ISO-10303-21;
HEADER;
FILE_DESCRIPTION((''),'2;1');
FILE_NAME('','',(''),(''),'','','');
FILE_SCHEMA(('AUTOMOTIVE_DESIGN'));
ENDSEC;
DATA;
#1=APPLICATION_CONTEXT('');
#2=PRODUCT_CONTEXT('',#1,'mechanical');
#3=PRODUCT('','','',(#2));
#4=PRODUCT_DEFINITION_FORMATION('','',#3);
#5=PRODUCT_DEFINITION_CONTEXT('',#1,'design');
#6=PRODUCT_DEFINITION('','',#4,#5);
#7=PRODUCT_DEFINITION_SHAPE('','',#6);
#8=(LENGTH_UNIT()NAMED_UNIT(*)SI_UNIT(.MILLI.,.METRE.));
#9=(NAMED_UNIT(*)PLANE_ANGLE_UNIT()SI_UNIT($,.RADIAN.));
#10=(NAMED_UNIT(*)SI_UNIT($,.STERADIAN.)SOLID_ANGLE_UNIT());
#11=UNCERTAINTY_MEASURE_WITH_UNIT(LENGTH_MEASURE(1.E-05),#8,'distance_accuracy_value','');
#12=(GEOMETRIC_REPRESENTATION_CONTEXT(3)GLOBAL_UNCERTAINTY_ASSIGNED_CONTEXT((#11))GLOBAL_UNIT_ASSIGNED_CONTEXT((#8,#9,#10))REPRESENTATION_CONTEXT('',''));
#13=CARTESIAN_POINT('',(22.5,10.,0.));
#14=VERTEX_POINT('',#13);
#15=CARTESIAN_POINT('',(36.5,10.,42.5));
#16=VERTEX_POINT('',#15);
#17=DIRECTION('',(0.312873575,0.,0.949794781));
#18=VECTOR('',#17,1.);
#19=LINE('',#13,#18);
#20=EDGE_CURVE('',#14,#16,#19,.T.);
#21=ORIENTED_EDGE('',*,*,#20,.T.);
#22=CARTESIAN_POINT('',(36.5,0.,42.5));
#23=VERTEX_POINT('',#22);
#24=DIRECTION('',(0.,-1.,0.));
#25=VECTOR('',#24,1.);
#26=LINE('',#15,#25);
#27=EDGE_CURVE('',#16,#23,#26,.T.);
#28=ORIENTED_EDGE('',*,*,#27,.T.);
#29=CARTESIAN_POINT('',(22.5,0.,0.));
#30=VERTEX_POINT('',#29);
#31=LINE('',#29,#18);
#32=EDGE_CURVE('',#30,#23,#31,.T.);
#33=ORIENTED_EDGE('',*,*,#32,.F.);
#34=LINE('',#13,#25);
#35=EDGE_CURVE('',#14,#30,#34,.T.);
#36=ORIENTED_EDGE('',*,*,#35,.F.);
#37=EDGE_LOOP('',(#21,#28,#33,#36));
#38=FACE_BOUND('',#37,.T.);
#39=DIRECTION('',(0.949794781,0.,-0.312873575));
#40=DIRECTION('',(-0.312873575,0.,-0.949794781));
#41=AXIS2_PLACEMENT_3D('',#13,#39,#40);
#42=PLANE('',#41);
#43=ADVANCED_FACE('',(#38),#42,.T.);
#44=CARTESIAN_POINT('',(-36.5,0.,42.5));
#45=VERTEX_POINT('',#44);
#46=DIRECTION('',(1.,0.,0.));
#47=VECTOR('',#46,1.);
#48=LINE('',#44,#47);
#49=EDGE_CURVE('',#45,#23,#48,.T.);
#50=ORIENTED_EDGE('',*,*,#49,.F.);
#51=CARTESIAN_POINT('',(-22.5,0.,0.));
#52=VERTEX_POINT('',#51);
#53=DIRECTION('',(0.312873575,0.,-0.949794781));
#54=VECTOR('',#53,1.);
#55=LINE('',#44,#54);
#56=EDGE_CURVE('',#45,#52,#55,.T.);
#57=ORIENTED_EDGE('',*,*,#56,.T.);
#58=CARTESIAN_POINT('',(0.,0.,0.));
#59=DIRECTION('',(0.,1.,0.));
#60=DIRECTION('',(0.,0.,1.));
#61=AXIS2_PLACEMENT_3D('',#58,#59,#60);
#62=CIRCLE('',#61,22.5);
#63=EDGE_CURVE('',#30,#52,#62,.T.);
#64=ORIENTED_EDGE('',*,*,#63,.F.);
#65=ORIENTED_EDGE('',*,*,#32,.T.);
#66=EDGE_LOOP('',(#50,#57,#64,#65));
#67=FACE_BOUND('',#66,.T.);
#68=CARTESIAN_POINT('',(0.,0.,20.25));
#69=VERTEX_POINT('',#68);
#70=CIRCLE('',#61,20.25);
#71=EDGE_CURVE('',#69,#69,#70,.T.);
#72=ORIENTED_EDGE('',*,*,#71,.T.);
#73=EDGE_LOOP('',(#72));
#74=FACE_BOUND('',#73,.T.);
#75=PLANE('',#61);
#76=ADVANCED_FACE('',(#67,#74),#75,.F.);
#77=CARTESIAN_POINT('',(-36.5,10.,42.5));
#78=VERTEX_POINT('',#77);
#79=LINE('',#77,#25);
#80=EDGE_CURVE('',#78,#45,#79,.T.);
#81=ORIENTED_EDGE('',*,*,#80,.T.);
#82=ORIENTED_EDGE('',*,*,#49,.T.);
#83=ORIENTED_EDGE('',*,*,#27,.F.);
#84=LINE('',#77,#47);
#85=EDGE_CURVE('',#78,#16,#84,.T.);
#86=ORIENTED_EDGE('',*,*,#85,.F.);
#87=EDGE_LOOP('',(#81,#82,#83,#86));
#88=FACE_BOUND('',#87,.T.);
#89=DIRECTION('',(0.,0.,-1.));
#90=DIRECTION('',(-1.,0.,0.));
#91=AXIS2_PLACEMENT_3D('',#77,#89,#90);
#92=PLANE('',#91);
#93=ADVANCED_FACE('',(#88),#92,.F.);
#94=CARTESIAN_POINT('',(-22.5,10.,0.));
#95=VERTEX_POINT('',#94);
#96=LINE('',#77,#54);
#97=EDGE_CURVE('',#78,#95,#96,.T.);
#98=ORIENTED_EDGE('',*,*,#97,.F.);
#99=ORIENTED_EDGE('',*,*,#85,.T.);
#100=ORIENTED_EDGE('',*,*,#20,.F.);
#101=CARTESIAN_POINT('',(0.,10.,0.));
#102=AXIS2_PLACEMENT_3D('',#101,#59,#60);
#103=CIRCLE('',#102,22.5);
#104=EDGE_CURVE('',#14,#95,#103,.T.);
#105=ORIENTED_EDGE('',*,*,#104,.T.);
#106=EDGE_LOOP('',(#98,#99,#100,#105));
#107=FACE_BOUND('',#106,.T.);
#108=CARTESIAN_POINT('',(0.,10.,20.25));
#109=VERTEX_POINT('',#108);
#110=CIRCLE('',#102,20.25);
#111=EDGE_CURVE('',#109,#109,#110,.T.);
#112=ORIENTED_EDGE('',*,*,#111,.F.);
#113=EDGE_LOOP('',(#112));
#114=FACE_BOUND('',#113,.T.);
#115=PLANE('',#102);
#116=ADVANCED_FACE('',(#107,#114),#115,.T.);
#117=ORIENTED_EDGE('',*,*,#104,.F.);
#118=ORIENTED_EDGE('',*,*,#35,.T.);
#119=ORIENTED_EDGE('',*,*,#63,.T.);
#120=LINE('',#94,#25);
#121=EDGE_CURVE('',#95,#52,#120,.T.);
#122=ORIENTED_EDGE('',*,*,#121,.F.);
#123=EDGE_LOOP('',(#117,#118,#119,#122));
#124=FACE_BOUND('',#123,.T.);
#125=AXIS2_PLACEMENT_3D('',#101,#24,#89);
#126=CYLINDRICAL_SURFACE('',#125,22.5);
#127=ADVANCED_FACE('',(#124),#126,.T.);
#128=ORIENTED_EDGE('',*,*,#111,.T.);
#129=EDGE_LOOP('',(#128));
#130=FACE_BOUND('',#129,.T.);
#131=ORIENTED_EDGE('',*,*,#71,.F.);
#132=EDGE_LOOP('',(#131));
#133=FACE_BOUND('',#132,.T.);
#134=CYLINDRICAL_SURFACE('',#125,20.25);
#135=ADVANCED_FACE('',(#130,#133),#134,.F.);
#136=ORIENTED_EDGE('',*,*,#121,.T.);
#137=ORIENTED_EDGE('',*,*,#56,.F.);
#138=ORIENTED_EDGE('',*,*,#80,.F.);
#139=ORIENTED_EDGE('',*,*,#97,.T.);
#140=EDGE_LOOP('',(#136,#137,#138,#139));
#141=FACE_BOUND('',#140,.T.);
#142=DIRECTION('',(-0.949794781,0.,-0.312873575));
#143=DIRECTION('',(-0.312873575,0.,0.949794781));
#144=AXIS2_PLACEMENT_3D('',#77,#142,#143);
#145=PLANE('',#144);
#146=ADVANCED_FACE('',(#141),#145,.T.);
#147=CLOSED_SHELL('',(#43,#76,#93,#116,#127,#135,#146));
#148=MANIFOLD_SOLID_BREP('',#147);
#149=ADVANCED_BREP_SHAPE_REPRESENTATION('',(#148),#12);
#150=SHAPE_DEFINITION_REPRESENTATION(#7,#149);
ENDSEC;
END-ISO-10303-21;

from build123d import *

# Parameters (mm, degrees)
SKETCH1_R           = 20.25
BOSS_EXTRUDE1_DEPTH = 10


with BuildPart() as part:
    # Sketch1 → Boss-Extrude1 (new body)
    with BuildSketch(Plane(origin=(0, 0, 0), x_dir=(1, 0, 0), z_dir=(0, 1, 0))):
        with BuildLine():
            Line((-36.5, -42.5), (36.5, -42.5))
            Line((36.5, -42.5), (22.5, 0))
            ThreePointArc((22.5, 0), (0, 22.5), (-22.5, 0))
            Line((-22.5, 0), (-36.5, -42.5))
        make_face()
        with Locations(Location((0, 0, 0), (0, 0, 270))):
            Circle(SKETCH1_R, mode=Mode.SUBTRACT)
    extrude(amount=BOSS_EXTRUDE1_DEPTH)


solid = part.part
